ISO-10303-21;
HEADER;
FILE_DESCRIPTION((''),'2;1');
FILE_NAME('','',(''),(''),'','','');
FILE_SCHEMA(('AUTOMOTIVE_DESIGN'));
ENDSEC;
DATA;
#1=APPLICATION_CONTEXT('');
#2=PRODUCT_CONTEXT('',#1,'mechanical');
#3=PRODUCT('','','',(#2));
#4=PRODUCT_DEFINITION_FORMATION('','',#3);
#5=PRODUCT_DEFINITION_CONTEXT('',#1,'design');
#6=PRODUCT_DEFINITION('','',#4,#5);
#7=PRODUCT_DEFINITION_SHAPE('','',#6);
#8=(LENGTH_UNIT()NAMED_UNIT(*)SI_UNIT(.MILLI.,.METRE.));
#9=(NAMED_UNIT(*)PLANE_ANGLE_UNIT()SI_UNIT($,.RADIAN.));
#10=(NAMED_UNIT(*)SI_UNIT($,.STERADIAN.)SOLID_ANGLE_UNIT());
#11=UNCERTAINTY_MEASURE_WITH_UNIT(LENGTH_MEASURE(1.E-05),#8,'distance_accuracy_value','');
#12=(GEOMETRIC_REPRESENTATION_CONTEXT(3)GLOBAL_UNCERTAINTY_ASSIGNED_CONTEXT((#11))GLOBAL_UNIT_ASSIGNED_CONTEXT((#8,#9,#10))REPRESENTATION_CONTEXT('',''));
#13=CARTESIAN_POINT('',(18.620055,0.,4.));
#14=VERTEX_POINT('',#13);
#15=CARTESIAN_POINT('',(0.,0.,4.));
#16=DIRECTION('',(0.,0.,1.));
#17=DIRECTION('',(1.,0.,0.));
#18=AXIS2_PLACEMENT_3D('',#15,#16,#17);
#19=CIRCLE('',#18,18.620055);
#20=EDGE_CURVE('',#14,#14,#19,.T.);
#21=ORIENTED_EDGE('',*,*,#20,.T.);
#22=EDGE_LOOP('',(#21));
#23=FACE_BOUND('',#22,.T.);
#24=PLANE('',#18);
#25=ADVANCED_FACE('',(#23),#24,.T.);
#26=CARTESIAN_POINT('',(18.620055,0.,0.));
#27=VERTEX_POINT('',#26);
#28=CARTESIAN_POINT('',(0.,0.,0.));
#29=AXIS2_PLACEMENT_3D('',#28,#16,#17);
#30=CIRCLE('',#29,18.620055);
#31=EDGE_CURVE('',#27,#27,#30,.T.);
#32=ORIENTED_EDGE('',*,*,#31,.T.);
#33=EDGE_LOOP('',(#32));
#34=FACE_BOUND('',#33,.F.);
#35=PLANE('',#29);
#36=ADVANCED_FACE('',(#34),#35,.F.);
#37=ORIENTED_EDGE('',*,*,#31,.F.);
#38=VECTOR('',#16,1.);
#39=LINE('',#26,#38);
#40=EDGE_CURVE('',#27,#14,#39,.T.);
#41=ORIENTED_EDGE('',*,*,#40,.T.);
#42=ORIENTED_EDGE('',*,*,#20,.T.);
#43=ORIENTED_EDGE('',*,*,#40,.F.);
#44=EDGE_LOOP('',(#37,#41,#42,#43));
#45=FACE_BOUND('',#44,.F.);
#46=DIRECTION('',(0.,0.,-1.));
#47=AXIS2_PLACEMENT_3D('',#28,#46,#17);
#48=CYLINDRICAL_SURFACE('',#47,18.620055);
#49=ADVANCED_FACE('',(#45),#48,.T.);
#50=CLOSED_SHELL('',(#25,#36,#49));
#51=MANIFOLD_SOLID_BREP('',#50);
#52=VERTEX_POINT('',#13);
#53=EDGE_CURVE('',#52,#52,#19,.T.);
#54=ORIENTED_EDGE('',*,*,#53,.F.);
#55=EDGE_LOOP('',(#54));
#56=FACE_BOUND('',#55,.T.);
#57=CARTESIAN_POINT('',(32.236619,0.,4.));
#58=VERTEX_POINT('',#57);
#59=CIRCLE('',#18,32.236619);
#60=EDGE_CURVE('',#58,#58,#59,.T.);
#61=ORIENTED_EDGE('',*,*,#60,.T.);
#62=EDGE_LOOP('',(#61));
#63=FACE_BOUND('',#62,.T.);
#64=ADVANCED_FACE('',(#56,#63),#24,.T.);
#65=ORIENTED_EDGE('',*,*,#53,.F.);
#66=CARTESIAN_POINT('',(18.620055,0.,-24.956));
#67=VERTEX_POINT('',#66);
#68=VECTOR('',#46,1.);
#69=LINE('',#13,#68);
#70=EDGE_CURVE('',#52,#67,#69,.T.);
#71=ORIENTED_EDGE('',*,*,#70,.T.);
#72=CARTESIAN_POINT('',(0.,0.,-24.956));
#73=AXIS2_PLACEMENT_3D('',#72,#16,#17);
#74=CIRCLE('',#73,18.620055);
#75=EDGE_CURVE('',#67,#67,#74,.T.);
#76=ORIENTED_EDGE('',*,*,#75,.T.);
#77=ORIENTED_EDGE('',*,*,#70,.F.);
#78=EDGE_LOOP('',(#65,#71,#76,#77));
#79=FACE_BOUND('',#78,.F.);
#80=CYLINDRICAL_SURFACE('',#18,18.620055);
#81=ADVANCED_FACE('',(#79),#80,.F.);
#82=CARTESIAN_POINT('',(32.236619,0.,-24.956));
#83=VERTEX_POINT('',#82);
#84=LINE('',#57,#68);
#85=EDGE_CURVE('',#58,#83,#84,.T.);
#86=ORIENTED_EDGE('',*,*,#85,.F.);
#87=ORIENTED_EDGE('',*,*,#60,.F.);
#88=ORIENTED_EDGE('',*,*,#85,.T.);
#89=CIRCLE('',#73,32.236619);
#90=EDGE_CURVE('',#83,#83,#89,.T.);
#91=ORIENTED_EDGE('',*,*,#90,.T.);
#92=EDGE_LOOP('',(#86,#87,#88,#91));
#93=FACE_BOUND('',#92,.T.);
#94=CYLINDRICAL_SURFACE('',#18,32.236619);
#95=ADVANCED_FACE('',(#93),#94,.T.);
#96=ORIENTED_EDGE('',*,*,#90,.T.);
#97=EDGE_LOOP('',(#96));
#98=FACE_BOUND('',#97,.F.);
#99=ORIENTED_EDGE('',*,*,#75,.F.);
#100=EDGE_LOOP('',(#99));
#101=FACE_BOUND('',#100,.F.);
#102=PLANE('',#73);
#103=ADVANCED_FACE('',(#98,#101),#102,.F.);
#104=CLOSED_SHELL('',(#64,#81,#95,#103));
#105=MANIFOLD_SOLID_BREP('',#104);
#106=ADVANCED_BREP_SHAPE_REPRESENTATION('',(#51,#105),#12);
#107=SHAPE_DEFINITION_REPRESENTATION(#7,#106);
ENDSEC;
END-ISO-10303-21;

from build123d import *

# Parameters (mm, degrees)
F0_R     = 18.620055
F1_DEPTH = 4
F2_R     = 32.236619
F2_R_2   = 18.620055
F3_DEPTH = 28.956


with BuildPart() as f1:
    # F0 (on Top) → F1 (new body)
    with BuildSketch(Plane.XY):
        Circle(F0_R)
    extrude(amount=F1_DEPTH)


with BuildPart() as f3:
    # F2 (on face) → F3 (new body)
    with BuildSketch(Plane.XY.offset(4)):
        Circle(F2_R)
        Circle(F2_R_2, mode=Mode.SUBTRACT)
    extrude(amount=-F3_DEPTH)


solid = Compound([f1.part, f3.part])
